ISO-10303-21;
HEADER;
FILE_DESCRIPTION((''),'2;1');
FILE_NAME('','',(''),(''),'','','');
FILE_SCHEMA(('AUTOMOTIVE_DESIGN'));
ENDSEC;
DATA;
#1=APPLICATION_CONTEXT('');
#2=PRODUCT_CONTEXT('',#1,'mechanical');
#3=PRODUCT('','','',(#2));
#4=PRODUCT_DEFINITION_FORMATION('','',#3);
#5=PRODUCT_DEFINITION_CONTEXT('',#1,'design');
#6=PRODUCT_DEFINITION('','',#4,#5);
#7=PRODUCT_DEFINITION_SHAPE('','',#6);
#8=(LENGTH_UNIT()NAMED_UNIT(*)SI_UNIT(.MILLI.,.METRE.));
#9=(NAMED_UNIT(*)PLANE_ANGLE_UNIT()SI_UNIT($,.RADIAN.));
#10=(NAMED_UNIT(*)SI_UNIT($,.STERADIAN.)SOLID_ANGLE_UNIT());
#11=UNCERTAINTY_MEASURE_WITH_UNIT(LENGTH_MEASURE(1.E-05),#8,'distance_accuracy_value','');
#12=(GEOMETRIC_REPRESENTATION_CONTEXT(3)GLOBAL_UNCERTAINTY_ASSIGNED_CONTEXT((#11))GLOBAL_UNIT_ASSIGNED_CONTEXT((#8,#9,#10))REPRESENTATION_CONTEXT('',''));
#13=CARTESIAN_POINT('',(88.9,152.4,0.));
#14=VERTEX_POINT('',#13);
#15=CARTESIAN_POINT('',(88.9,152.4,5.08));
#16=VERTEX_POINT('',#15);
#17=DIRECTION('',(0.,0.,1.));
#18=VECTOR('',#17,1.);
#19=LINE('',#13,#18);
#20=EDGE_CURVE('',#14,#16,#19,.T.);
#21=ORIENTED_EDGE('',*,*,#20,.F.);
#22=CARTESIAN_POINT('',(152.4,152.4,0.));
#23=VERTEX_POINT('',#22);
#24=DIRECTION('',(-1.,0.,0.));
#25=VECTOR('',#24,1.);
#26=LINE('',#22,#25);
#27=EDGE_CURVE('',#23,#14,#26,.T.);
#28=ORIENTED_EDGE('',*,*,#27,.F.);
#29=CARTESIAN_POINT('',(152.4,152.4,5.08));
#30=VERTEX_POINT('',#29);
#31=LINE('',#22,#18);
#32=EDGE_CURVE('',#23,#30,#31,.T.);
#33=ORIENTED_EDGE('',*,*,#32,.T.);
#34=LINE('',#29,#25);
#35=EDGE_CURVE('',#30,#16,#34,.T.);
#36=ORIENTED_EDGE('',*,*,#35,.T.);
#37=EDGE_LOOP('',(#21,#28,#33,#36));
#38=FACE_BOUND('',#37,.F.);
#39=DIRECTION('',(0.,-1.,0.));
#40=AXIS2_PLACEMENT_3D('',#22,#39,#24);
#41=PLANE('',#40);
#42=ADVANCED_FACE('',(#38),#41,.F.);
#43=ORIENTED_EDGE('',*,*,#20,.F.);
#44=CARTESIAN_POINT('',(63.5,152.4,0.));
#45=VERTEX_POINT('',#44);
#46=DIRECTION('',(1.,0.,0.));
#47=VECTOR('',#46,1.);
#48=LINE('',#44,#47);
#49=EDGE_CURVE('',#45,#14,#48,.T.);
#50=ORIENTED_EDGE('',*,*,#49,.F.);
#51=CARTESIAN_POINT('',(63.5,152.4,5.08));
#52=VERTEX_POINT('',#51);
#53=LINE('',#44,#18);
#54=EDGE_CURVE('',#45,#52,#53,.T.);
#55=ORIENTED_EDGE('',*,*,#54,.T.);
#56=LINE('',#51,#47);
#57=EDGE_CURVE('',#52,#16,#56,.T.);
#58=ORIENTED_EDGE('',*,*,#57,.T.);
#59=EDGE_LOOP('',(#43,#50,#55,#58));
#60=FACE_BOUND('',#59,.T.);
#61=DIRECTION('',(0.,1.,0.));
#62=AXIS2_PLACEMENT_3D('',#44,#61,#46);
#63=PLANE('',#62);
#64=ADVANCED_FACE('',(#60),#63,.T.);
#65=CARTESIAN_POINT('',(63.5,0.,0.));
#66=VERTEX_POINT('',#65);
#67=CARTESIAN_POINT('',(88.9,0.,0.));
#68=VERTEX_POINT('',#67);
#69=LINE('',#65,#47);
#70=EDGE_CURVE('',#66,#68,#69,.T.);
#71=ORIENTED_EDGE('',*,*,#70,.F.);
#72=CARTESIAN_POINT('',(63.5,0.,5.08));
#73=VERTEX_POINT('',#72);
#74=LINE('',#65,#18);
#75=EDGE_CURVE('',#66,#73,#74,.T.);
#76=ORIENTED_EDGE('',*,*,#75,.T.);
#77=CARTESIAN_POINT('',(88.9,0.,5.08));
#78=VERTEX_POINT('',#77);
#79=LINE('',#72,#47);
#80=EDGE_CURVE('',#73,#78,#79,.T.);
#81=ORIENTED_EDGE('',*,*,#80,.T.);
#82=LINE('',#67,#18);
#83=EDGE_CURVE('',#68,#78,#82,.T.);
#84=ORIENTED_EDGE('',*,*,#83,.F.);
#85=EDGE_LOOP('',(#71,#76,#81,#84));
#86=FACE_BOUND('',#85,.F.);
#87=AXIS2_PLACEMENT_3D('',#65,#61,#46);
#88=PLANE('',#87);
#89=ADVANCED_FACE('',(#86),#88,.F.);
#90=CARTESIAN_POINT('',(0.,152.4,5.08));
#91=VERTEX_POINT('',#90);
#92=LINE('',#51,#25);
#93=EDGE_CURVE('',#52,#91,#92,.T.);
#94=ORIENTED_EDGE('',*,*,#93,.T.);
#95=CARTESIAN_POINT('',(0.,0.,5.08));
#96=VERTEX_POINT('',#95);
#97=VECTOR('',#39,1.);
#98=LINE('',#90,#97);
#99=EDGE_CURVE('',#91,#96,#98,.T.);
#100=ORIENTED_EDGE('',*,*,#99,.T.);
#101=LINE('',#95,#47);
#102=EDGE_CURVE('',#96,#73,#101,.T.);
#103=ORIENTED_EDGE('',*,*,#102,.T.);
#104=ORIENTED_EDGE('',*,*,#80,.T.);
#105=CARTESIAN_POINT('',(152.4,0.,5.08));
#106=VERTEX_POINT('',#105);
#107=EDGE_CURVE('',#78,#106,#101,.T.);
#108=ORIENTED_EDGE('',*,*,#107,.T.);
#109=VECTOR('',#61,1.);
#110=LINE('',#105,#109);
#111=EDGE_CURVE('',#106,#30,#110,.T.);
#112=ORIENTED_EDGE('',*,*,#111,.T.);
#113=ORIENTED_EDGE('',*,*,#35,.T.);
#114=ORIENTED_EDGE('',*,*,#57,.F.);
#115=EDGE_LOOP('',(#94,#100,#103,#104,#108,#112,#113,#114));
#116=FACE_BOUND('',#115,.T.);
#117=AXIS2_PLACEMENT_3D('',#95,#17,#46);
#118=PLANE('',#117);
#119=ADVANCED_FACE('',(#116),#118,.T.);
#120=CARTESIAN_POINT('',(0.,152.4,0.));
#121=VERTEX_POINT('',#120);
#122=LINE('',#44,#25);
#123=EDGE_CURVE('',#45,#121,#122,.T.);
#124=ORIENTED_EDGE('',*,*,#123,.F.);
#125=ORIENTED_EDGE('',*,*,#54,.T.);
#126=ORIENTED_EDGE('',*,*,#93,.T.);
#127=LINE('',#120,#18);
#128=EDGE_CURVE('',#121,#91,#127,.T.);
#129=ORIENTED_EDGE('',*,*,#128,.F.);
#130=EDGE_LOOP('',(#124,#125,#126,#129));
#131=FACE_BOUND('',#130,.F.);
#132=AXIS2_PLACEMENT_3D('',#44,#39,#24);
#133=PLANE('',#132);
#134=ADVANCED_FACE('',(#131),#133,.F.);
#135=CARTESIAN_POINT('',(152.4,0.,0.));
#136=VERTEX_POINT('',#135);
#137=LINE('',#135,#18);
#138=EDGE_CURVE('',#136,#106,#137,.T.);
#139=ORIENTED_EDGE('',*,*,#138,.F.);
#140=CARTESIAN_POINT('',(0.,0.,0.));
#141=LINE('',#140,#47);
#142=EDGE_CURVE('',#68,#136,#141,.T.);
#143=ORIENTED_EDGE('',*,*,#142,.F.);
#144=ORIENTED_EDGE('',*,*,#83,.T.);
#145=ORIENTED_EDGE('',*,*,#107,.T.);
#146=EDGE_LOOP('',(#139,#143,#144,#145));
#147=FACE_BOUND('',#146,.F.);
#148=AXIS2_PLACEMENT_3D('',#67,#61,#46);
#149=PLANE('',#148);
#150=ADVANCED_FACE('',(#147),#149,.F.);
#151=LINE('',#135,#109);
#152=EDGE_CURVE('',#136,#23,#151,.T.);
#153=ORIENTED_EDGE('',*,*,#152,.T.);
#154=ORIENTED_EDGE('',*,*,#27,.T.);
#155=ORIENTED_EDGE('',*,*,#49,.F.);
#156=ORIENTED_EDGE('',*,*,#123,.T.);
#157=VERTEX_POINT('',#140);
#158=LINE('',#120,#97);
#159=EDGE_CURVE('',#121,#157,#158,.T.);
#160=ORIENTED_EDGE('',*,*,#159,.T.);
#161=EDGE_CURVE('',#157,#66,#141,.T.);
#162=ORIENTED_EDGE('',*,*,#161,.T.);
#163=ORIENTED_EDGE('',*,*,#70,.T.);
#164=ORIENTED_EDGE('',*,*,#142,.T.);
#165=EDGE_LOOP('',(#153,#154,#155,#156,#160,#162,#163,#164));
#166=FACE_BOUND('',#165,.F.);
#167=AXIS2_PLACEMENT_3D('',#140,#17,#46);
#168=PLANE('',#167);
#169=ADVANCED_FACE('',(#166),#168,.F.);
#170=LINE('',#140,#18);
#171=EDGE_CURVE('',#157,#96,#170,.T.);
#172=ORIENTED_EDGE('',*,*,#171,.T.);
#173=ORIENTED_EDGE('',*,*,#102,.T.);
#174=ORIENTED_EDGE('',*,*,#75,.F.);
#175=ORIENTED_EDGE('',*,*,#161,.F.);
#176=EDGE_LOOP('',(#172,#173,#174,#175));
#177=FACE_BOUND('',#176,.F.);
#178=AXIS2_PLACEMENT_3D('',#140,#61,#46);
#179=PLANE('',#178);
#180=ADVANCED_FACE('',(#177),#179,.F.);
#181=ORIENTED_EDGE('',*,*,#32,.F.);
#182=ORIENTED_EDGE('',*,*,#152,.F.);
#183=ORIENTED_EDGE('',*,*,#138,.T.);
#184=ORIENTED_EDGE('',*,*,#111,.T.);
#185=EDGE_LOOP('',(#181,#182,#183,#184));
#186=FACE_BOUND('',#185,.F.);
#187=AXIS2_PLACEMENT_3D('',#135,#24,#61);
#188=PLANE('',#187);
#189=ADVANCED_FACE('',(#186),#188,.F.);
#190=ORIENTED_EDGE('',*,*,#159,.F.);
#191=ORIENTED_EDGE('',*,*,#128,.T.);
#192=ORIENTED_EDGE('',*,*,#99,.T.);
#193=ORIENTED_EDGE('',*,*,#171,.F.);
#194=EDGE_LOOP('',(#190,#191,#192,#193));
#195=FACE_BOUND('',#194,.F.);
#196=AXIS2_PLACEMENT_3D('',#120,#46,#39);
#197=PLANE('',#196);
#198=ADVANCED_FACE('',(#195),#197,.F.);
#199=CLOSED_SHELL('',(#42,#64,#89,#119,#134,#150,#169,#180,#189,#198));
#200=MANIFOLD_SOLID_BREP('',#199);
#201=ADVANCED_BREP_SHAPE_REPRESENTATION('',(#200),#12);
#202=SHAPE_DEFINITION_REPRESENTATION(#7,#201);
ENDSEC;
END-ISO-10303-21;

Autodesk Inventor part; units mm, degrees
ref_plane "YZ Plane" through (0, 0, 0) normal (1, 0, 0) x (0, 1, 0)
ref_plane "XZ Plane" through (0, 0, 0) normal (0, 1, 0) x (-1, 0, 0)
ref_plane "XY Plane" through (0, 0, 0) normal (0, 0, 1) x (1, 0, 0)
sketch "Sketch1" plane through (0, 0, 0) normal (0, 0, 1) x (1, 0, 0)
  line L0 (0, 0) -> (152.4, 0)
  line L1 (152.4, 0) -> (152.4, 152.4)
  line L2 (0, 152.4) -> (0, 0)
  line L3 (152.4, 152.4) -> (88.9, 152.4)
  line L4 (63.5, 152.4) -> (0, 152.4)
  line L5 (63.5, 0) -> (88.9, 0)
  line L6 (63.5, 152.4) -> (88.9, 152.4)
  line L7 (0, 152.4) -> (0, 0)
  line L8 (152.4, 0) -> (0, 0)
extrude "Extrusion1" add sketch "Sketch1" along normal blind 5.08
properties part number "Heating board"
